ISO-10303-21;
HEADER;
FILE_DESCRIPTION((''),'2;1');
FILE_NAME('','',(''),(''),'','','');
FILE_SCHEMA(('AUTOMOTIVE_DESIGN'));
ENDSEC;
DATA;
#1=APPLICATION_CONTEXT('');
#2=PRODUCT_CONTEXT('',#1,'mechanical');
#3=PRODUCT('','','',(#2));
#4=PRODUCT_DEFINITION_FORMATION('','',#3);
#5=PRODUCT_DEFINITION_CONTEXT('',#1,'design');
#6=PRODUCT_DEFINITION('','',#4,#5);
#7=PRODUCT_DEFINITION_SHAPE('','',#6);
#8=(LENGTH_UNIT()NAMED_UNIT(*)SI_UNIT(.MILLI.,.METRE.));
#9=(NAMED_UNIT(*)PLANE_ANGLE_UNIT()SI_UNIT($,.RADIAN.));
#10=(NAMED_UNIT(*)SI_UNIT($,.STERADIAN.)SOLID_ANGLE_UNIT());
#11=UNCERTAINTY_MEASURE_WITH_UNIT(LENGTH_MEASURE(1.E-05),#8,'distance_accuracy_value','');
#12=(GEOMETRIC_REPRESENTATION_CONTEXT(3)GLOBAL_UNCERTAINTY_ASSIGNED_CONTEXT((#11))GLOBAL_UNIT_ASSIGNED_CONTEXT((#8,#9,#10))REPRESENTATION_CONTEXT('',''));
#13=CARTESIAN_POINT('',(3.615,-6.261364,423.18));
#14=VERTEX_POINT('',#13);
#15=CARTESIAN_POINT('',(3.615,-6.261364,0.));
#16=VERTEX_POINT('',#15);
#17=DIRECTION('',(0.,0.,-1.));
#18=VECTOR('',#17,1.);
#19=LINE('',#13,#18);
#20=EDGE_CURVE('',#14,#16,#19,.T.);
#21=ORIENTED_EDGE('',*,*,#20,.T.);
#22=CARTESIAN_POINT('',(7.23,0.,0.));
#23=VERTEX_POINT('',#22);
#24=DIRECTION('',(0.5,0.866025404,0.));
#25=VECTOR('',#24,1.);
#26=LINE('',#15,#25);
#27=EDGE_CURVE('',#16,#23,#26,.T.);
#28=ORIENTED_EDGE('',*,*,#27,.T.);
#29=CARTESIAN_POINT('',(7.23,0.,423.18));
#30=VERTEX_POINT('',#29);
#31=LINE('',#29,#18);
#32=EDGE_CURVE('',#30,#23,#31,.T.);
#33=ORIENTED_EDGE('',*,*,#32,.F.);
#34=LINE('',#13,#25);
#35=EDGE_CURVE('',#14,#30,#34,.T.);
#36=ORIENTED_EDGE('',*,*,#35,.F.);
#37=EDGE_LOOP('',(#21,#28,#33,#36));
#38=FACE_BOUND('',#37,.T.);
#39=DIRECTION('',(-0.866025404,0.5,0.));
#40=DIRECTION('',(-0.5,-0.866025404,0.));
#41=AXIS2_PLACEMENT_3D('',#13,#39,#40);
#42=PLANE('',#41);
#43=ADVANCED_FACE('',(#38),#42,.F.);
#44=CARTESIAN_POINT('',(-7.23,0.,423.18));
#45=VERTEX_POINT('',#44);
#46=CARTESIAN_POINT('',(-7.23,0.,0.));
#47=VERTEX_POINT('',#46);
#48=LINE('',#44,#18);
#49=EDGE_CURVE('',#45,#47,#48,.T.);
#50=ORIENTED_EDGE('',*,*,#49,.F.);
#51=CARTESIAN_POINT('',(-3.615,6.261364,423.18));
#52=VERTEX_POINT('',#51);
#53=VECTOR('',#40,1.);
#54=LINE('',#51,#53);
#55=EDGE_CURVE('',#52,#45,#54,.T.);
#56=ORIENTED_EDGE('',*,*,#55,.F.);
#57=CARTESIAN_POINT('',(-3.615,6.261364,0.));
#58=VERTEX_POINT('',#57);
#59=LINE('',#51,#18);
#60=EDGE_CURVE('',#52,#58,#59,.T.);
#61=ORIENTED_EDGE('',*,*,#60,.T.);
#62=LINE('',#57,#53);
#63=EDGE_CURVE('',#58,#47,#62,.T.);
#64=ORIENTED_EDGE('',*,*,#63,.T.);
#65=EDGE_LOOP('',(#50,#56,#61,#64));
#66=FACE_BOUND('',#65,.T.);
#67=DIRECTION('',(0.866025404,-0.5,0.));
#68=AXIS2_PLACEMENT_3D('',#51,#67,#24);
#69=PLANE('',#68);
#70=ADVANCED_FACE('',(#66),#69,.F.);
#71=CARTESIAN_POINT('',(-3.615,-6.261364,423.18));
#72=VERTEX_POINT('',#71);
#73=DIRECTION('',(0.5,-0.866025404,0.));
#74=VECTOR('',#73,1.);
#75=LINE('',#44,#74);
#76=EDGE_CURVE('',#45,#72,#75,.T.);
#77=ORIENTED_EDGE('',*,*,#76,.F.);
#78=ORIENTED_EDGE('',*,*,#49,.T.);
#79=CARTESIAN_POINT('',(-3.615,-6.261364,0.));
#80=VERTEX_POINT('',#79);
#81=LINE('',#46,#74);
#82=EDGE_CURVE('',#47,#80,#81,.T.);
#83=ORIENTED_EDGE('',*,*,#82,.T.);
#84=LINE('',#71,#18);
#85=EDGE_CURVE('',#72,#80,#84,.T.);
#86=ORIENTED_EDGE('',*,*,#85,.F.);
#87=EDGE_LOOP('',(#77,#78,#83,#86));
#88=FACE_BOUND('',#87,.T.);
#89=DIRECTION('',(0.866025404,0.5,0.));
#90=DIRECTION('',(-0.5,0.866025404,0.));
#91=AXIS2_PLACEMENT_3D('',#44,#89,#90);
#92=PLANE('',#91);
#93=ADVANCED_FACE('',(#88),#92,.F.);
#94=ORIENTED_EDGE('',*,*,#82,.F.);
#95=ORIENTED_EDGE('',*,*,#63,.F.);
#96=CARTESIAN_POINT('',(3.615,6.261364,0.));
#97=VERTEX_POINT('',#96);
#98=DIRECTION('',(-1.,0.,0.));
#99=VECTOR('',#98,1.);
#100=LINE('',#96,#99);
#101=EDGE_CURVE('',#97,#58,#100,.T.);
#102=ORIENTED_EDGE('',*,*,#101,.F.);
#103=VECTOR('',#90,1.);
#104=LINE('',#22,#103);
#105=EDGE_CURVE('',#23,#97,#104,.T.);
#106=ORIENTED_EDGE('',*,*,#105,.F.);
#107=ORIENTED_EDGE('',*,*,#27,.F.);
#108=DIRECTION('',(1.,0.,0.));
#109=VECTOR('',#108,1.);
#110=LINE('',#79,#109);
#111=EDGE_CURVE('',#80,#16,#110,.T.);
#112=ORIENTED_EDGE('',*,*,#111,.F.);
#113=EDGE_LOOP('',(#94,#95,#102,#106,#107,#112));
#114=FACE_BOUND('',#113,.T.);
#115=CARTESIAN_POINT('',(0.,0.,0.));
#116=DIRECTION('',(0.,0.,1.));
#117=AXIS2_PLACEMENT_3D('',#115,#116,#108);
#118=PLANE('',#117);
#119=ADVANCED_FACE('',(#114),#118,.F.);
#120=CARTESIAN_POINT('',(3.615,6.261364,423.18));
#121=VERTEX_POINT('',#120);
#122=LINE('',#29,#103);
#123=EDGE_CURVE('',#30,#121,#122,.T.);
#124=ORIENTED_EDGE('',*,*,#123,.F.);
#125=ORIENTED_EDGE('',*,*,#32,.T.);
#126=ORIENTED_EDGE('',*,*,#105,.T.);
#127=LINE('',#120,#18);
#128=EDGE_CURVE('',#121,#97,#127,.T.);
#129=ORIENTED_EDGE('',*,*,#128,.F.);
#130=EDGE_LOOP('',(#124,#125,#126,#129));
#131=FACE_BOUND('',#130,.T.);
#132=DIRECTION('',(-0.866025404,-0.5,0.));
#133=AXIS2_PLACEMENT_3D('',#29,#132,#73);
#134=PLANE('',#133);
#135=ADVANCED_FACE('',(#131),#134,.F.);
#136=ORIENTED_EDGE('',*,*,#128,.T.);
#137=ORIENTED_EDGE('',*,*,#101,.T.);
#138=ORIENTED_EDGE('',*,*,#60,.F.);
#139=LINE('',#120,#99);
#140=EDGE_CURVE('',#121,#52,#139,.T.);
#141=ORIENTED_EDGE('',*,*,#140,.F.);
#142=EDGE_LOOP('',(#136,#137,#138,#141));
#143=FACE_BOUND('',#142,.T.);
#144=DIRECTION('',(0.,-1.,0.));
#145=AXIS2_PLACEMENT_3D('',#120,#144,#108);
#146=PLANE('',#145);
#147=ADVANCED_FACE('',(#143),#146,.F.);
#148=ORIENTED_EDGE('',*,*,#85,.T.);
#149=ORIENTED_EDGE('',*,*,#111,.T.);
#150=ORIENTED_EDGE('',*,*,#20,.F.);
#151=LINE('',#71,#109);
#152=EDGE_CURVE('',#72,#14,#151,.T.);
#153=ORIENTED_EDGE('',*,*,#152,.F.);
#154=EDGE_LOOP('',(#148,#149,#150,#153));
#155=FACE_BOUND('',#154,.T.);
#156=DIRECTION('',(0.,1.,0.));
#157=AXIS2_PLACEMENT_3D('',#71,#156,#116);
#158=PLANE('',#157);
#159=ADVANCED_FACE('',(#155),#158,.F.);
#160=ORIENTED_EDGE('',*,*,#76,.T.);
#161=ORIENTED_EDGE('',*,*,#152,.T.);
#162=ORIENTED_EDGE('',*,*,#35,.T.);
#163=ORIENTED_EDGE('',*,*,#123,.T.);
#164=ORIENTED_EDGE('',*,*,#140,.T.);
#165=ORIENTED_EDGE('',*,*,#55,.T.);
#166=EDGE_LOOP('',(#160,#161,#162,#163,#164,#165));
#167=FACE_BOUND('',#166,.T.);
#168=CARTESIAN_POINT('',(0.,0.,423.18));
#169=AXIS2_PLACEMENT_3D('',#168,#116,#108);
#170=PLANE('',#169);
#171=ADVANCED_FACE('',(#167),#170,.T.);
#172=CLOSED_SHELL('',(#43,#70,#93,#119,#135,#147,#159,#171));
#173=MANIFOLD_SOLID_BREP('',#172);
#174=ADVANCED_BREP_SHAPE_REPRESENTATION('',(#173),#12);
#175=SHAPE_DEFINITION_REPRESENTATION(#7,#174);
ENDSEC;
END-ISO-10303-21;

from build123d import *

# Parameters (mm, degrees)
BOSS_EXTRUDE1_DEPTH = 423.18


with BuildPart() as part:
    # Sketch1 → Boss-Extrude1 (new body)
    with BuildSketch(Plane.XY):
        Polygon((-3.615, 6.261363669), (-7.23, 0), (-3.615, -6.261363669), (3.615, -6.261363669), (7.23, 0), (3.615, 6.261363669), align=None)
    extrude(amount=BOSS_EXTRUDE1_DEPTH)


solid = part.part
